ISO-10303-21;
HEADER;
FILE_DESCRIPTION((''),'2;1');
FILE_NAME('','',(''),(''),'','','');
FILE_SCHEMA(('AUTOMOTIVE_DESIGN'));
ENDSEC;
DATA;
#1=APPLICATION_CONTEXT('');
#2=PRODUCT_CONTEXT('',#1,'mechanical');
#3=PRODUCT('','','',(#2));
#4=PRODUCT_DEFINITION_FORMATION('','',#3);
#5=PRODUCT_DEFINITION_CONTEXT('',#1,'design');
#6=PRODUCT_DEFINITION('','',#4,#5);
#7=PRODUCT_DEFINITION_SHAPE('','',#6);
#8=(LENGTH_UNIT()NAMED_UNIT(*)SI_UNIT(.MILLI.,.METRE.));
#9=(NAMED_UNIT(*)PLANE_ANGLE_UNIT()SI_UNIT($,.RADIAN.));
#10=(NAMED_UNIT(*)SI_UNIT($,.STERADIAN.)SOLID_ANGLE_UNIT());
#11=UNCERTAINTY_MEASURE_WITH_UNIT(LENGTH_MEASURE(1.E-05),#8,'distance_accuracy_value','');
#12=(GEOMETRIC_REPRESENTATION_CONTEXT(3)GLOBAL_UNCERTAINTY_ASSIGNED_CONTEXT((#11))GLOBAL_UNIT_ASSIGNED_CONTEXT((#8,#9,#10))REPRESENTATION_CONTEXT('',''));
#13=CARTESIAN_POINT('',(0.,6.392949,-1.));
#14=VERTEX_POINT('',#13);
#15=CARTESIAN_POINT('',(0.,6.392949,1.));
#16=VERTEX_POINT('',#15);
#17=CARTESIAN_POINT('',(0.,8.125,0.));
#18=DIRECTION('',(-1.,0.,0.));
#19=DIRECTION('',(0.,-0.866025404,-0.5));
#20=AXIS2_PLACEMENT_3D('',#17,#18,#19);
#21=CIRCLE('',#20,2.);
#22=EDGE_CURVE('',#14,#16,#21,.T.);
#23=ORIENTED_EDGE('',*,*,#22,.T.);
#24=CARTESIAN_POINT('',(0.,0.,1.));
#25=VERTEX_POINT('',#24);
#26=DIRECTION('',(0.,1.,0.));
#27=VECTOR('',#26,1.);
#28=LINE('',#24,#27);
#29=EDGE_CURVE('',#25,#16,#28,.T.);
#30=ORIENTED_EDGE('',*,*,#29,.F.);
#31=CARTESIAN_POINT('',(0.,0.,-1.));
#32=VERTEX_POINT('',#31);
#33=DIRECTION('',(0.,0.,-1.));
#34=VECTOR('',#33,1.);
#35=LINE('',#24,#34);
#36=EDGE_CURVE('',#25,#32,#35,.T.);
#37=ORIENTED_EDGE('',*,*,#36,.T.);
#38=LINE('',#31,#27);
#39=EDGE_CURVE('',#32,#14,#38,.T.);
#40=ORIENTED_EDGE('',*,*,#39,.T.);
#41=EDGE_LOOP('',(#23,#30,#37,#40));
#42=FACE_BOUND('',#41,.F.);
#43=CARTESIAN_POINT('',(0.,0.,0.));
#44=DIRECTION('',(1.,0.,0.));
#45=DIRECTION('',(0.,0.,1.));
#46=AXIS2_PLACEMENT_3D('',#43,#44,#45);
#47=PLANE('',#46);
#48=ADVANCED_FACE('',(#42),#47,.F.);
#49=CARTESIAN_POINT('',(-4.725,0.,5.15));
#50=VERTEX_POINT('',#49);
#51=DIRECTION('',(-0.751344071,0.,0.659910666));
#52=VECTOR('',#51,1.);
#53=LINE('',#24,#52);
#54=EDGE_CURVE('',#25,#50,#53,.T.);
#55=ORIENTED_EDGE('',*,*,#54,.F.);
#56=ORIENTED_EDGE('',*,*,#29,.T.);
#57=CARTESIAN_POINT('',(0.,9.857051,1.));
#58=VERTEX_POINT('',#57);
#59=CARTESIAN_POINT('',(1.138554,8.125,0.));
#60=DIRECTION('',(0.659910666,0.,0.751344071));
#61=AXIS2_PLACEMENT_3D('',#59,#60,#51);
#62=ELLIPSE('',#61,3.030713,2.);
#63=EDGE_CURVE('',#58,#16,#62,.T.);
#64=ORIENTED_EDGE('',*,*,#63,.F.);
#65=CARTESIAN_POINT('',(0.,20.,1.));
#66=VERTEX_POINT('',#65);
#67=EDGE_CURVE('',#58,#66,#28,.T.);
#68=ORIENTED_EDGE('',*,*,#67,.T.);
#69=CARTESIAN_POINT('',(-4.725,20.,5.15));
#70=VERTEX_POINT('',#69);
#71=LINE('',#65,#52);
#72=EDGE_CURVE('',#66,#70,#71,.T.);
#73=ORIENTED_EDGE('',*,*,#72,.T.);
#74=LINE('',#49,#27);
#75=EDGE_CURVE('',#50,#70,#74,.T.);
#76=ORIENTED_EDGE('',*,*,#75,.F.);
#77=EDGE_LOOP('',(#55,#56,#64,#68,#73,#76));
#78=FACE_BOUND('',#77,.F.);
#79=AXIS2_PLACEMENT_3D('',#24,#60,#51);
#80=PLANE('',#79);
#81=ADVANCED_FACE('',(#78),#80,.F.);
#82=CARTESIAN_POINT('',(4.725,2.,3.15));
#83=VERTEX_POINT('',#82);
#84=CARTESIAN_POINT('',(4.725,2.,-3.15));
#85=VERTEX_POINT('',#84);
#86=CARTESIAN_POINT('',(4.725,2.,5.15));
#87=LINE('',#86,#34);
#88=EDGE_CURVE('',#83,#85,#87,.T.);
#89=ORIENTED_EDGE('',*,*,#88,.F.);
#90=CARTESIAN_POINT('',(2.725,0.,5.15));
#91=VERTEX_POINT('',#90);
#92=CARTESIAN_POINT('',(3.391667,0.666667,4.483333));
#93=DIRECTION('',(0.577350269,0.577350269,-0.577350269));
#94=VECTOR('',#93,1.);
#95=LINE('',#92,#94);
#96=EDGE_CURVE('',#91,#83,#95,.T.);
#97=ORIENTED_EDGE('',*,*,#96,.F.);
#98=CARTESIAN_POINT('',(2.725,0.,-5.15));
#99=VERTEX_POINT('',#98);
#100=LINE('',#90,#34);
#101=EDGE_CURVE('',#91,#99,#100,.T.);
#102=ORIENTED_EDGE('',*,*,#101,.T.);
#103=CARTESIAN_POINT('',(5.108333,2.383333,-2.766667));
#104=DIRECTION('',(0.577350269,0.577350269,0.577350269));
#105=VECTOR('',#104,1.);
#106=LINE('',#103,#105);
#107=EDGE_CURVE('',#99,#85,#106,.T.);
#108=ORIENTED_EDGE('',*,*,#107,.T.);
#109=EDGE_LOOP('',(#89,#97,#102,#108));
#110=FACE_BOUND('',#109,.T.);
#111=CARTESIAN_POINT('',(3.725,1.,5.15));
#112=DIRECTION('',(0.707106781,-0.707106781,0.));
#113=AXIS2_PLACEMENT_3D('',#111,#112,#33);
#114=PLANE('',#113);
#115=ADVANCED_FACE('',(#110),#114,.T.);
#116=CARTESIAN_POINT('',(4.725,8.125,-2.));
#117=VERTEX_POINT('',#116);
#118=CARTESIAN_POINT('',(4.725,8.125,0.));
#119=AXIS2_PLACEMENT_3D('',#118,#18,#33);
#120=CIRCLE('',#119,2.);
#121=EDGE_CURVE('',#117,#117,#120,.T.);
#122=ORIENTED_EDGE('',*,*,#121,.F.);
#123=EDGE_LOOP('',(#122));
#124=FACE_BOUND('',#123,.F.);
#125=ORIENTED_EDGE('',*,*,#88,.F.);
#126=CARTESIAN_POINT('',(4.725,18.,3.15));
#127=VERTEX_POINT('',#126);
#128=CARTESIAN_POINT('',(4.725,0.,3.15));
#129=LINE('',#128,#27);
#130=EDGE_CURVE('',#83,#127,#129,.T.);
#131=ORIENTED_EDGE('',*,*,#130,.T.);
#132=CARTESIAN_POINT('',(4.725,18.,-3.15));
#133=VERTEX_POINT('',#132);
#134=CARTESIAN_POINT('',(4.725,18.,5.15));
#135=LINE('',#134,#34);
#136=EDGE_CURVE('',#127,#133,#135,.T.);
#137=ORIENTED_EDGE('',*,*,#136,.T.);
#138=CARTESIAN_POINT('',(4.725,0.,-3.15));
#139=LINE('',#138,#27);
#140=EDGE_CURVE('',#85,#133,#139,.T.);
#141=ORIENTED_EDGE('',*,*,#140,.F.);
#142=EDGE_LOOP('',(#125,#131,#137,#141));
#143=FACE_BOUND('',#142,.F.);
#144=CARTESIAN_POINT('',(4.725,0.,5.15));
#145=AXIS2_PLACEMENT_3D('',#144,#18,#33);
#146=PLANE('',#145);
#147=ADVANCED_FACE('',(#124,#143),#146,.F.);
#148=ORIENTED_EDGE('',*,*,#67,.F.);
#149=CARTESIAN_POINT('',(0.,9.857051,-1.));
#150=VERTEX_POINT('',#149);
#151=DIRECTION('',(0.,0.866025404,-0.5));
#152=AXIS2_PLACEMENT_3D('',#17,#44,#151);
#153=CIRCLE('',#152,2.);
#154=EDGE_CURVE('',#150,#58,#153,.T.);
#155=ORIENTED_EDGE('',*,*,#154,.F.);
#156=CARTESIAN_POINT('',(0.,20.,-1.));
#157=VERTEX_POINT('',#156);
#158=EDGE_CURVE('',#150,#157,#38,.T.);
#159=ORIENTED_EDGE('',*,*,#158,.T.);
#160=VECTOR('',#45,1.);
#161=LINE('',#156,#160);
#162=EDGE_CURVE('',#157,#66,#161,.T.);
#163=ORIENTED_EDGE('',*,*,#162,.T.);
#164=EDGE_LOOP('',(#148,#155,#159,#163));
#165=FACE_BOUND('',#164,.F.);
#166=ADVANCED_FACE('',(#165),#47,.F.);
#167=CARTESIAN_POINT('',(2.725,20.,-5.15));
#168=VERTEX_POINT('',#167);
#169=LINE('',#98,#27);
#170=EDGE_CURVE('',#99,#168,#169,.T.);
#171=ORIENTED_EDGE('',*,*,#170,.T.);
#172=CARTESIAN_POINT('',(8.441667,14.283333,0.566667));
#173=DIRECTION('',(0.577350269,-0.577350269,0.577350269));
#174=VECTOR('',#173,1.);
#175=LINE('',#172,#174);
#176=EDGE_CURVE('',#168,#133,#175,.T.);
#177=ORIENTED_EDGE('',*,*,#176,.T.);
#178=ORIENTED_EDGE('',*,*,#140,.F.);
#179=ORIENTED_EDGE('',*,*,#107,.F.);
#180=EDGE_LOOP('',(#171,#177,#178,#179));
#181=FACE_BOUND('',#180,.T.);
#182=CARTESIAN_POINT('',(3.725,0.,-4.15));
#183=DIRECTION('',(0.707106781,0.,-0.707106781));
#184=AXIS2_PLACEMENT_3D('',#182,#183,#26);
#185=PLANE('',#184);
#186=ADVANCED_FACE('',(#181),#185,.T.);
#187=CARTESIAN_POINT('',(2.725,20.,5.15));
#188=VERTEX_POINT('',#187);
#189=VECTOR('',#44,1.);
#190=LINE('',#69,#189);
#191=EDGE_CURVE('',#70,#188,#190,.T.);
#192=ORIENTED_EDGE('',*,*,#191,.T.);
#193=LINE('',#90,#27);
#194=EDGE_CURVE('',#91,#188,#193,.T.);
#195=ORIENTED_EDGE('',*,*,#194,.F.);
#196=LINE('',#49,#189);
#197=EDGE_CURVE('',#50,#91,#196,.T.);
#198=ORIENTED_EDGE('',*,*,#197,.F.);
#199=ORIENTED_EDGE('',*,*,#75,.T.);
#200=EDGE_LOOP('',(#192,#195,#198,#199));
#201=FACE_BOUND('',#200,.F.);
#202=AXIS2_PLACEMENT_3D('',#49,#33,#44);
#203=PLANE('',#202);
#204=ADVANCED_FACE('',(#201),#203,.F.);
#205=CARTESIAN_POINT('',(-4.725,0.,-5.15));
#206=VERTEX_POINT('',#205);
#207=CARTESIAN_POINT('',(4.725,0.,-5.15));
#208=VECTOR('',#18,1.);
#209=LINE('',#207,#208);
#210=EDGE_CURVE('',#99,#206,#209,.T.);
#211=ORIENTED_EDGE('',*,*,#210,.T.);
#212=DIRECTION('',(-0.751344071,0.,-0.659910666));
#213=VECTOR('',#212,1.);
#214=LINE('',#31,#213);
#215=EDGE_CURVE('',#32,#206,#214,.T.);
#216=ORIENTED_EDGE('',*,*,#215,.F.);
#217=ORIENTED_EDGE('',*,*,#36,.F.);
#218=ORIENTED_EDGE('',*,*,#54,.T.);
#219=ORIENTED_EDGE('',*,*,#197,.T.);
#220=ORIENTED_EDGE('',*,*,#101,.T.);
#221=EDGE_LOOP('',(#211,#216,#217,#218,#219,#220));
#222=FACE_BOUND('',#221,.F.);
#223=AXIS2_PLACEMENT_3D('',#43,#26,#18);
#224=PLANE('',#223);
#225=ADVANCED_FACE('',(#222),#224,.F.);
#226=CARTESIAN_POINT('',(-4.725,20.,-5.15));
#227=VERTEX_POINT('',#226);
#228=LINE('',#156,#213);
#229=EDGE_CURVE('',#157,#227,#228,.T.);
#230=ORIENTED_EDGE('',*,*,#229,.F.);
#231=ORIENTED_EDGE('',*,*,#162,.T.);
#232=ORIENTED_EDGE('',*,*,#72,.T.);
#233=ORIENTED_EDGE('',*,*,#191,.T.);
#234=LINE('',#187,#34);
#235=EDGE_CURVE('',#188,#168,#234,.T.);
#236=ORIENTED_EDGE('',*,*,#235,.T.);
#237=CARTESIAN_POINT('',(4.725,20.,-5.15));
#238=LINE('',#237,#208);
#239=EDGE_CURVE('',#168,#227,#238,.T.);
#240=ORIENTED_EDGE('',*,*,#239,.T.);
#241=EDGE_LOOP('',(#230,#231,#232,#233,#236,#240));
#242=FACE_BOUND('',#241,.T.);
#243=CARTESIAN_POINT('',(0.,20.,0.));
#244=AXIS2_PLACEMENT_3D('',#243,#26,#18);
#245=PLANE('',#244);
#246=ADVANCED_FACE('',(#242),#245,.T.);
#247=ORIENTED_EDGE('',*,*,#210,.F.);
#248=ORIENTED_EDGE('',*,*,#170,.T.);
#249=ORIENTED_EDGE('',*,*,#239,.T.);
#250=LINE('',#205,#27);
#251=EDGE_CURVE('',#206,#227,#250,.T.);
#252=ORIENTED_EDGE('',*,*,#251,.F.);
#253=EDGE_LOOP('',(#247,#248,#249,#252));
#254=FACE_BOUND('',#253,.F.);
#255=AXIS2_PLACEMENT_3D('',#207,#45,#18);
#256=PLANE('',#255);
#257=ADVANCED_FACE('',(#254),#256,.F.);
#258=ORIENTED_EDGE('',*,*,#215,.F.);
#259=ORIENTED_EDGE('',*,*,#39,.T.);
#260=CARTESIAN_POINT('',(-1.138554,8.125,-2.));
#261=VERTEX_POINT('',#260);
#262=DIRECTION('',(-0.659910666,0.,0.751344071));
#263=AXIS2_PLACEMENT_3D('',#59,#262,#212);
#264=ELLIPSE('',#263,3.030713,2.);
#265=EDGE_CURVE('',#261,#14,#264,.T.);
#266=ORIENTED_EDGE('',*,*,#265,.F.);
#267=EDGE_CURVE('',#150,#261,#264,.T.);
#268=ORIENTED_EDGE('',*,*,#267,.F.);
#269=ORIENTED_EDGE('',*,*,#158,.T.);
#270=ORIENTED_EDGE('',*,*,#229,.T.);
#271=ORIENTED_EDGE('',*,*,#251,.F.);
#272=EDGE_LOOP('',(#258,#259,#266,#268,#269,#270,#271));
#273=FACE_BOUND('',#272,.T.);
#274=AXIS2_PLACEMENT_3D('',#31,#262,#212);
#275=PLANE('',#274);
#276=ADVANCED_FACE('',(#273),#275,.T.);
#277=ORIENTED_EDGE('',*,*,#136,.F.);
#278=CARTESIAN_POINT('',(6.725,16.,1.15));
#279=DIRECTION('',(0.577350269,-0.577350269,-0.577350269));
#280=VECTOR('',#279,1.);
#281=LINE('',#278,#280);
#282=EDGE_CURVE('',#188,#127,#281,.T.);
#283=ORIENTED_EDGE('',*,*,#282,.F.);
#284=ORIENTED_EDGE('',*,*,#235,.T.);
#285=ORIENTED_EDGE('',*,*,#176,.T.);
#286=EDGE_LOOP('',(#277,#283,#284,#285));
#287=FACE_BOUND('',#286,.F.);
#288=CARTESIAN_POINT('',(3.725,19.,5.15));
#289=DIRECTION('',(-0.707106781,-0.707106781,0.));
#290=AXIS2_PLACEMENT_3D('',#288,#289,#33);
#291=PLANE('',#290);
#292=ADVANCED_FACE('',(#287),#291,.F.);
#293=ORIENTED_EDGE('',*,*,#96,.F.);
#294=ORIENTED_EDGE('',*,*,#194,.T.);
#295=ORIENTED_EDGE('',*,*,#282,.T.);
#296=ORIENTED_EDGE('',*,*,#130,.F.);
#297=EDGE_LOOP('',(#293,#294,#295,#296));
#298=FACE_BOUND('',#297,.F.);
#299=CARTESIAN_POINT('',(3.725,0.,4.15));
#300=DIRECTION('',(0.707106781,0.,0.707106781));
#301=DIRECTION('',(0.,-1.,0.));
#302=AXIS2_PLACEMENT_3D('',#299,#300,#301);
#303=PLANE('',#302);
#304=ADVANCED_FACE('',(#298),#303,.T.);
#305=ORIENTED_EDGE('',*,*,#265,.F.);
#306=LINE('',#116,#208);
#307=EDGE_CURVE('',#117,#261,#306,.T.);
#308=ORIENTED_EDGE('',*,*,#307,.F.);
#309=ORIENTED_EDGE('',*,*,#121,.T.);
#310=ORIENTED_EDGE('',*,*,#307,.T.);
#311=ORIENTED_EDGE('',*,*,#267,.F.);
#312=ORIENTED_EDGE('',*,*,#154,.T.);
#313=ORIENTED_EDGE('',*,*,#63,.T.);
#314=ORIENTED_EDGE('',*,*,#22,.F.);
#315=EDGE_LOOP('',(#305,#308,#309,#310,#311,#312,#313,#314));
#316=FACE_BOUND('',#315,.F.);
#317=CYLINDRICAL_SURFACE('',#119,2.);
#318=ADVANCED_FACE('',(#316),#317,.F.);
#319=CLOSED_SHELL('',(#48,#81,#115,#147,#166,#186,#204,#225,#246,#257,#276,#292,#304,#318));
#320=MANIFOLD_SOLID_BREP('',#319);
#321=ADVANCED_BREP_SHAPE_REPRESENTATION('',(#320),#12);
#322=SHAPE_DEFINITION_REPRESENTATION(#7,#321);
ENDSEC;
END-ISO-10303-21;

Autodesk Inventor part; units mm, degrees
ref_plane "YZ Plane" through (0, 0, 0) normal (1, 0, 0) x (0, 1, 0)
ref_plane "XZ Plane" through (0, 0, 0) normal (0, 1, 0) x (-1, 0, 0)
ref_plane "XY Plane" through (0, 0, 0) normal (0, 0, 1) x (1, 0, 0)
sketch "Sketch1" plane through (0, 0, 0) normal (0, 1, 0) x (-1, 0, 0)
  line L0 (4.725, 5.15) -> (-4.725, 5.15)
  line L1 (-4.725, 5.15) -> (-4.725, -5.15)
  line L2 (-4.725, -5.15) -> (4.725, -5.15)
  line L3 (4.725, 5.15) -> (-4.725, -5.15) construction
  line L4 (-4.725, 5.15) -> (4.725, -5.15) construction
  line L5 (0, 0) -> (0, -1)
  line L6 (0, 0) -> (0, 1)
  line L7 (0, -1) -> (4.725, -5.15)
  line L8 (0, 1) -> (4.725, 5.15)
  dimension "d0" = 9.45
  dimension "d1" = 10.3
  dimension "d2" = 1
  dimension "d3" = 1
extrude "Extrusion1" add sketch "Sketch1" along normal blind 20
sketch "Sketch2" plane through (4.725, 0, 5.15) normal (1, 0, 0) x (0, 0, -1)
  line L0 (10.3, 0) -> (0, 0) construction
  line L1 (10.3, 0) -> (10.3, 20) construction
  line L2 (0, 20) -> (10.3, 20) construction
  line L3 (0, 0) -> (0, 20) construction
  point P0 (5.15, 0)
  point P1 (5.15, 8.125)
hole "Hole1" at (4.725, 8.125, 0) direction (-1, 0, 0) diameter 4 end through all
chamfer "Chamfer1" distance 2 angle 45 4 edges at (4.725, 10, 5.15) (4.725, 0, 0) (4.725, 10, -5.15) (4.725, 20, 0)
properties part number "nut_part"
